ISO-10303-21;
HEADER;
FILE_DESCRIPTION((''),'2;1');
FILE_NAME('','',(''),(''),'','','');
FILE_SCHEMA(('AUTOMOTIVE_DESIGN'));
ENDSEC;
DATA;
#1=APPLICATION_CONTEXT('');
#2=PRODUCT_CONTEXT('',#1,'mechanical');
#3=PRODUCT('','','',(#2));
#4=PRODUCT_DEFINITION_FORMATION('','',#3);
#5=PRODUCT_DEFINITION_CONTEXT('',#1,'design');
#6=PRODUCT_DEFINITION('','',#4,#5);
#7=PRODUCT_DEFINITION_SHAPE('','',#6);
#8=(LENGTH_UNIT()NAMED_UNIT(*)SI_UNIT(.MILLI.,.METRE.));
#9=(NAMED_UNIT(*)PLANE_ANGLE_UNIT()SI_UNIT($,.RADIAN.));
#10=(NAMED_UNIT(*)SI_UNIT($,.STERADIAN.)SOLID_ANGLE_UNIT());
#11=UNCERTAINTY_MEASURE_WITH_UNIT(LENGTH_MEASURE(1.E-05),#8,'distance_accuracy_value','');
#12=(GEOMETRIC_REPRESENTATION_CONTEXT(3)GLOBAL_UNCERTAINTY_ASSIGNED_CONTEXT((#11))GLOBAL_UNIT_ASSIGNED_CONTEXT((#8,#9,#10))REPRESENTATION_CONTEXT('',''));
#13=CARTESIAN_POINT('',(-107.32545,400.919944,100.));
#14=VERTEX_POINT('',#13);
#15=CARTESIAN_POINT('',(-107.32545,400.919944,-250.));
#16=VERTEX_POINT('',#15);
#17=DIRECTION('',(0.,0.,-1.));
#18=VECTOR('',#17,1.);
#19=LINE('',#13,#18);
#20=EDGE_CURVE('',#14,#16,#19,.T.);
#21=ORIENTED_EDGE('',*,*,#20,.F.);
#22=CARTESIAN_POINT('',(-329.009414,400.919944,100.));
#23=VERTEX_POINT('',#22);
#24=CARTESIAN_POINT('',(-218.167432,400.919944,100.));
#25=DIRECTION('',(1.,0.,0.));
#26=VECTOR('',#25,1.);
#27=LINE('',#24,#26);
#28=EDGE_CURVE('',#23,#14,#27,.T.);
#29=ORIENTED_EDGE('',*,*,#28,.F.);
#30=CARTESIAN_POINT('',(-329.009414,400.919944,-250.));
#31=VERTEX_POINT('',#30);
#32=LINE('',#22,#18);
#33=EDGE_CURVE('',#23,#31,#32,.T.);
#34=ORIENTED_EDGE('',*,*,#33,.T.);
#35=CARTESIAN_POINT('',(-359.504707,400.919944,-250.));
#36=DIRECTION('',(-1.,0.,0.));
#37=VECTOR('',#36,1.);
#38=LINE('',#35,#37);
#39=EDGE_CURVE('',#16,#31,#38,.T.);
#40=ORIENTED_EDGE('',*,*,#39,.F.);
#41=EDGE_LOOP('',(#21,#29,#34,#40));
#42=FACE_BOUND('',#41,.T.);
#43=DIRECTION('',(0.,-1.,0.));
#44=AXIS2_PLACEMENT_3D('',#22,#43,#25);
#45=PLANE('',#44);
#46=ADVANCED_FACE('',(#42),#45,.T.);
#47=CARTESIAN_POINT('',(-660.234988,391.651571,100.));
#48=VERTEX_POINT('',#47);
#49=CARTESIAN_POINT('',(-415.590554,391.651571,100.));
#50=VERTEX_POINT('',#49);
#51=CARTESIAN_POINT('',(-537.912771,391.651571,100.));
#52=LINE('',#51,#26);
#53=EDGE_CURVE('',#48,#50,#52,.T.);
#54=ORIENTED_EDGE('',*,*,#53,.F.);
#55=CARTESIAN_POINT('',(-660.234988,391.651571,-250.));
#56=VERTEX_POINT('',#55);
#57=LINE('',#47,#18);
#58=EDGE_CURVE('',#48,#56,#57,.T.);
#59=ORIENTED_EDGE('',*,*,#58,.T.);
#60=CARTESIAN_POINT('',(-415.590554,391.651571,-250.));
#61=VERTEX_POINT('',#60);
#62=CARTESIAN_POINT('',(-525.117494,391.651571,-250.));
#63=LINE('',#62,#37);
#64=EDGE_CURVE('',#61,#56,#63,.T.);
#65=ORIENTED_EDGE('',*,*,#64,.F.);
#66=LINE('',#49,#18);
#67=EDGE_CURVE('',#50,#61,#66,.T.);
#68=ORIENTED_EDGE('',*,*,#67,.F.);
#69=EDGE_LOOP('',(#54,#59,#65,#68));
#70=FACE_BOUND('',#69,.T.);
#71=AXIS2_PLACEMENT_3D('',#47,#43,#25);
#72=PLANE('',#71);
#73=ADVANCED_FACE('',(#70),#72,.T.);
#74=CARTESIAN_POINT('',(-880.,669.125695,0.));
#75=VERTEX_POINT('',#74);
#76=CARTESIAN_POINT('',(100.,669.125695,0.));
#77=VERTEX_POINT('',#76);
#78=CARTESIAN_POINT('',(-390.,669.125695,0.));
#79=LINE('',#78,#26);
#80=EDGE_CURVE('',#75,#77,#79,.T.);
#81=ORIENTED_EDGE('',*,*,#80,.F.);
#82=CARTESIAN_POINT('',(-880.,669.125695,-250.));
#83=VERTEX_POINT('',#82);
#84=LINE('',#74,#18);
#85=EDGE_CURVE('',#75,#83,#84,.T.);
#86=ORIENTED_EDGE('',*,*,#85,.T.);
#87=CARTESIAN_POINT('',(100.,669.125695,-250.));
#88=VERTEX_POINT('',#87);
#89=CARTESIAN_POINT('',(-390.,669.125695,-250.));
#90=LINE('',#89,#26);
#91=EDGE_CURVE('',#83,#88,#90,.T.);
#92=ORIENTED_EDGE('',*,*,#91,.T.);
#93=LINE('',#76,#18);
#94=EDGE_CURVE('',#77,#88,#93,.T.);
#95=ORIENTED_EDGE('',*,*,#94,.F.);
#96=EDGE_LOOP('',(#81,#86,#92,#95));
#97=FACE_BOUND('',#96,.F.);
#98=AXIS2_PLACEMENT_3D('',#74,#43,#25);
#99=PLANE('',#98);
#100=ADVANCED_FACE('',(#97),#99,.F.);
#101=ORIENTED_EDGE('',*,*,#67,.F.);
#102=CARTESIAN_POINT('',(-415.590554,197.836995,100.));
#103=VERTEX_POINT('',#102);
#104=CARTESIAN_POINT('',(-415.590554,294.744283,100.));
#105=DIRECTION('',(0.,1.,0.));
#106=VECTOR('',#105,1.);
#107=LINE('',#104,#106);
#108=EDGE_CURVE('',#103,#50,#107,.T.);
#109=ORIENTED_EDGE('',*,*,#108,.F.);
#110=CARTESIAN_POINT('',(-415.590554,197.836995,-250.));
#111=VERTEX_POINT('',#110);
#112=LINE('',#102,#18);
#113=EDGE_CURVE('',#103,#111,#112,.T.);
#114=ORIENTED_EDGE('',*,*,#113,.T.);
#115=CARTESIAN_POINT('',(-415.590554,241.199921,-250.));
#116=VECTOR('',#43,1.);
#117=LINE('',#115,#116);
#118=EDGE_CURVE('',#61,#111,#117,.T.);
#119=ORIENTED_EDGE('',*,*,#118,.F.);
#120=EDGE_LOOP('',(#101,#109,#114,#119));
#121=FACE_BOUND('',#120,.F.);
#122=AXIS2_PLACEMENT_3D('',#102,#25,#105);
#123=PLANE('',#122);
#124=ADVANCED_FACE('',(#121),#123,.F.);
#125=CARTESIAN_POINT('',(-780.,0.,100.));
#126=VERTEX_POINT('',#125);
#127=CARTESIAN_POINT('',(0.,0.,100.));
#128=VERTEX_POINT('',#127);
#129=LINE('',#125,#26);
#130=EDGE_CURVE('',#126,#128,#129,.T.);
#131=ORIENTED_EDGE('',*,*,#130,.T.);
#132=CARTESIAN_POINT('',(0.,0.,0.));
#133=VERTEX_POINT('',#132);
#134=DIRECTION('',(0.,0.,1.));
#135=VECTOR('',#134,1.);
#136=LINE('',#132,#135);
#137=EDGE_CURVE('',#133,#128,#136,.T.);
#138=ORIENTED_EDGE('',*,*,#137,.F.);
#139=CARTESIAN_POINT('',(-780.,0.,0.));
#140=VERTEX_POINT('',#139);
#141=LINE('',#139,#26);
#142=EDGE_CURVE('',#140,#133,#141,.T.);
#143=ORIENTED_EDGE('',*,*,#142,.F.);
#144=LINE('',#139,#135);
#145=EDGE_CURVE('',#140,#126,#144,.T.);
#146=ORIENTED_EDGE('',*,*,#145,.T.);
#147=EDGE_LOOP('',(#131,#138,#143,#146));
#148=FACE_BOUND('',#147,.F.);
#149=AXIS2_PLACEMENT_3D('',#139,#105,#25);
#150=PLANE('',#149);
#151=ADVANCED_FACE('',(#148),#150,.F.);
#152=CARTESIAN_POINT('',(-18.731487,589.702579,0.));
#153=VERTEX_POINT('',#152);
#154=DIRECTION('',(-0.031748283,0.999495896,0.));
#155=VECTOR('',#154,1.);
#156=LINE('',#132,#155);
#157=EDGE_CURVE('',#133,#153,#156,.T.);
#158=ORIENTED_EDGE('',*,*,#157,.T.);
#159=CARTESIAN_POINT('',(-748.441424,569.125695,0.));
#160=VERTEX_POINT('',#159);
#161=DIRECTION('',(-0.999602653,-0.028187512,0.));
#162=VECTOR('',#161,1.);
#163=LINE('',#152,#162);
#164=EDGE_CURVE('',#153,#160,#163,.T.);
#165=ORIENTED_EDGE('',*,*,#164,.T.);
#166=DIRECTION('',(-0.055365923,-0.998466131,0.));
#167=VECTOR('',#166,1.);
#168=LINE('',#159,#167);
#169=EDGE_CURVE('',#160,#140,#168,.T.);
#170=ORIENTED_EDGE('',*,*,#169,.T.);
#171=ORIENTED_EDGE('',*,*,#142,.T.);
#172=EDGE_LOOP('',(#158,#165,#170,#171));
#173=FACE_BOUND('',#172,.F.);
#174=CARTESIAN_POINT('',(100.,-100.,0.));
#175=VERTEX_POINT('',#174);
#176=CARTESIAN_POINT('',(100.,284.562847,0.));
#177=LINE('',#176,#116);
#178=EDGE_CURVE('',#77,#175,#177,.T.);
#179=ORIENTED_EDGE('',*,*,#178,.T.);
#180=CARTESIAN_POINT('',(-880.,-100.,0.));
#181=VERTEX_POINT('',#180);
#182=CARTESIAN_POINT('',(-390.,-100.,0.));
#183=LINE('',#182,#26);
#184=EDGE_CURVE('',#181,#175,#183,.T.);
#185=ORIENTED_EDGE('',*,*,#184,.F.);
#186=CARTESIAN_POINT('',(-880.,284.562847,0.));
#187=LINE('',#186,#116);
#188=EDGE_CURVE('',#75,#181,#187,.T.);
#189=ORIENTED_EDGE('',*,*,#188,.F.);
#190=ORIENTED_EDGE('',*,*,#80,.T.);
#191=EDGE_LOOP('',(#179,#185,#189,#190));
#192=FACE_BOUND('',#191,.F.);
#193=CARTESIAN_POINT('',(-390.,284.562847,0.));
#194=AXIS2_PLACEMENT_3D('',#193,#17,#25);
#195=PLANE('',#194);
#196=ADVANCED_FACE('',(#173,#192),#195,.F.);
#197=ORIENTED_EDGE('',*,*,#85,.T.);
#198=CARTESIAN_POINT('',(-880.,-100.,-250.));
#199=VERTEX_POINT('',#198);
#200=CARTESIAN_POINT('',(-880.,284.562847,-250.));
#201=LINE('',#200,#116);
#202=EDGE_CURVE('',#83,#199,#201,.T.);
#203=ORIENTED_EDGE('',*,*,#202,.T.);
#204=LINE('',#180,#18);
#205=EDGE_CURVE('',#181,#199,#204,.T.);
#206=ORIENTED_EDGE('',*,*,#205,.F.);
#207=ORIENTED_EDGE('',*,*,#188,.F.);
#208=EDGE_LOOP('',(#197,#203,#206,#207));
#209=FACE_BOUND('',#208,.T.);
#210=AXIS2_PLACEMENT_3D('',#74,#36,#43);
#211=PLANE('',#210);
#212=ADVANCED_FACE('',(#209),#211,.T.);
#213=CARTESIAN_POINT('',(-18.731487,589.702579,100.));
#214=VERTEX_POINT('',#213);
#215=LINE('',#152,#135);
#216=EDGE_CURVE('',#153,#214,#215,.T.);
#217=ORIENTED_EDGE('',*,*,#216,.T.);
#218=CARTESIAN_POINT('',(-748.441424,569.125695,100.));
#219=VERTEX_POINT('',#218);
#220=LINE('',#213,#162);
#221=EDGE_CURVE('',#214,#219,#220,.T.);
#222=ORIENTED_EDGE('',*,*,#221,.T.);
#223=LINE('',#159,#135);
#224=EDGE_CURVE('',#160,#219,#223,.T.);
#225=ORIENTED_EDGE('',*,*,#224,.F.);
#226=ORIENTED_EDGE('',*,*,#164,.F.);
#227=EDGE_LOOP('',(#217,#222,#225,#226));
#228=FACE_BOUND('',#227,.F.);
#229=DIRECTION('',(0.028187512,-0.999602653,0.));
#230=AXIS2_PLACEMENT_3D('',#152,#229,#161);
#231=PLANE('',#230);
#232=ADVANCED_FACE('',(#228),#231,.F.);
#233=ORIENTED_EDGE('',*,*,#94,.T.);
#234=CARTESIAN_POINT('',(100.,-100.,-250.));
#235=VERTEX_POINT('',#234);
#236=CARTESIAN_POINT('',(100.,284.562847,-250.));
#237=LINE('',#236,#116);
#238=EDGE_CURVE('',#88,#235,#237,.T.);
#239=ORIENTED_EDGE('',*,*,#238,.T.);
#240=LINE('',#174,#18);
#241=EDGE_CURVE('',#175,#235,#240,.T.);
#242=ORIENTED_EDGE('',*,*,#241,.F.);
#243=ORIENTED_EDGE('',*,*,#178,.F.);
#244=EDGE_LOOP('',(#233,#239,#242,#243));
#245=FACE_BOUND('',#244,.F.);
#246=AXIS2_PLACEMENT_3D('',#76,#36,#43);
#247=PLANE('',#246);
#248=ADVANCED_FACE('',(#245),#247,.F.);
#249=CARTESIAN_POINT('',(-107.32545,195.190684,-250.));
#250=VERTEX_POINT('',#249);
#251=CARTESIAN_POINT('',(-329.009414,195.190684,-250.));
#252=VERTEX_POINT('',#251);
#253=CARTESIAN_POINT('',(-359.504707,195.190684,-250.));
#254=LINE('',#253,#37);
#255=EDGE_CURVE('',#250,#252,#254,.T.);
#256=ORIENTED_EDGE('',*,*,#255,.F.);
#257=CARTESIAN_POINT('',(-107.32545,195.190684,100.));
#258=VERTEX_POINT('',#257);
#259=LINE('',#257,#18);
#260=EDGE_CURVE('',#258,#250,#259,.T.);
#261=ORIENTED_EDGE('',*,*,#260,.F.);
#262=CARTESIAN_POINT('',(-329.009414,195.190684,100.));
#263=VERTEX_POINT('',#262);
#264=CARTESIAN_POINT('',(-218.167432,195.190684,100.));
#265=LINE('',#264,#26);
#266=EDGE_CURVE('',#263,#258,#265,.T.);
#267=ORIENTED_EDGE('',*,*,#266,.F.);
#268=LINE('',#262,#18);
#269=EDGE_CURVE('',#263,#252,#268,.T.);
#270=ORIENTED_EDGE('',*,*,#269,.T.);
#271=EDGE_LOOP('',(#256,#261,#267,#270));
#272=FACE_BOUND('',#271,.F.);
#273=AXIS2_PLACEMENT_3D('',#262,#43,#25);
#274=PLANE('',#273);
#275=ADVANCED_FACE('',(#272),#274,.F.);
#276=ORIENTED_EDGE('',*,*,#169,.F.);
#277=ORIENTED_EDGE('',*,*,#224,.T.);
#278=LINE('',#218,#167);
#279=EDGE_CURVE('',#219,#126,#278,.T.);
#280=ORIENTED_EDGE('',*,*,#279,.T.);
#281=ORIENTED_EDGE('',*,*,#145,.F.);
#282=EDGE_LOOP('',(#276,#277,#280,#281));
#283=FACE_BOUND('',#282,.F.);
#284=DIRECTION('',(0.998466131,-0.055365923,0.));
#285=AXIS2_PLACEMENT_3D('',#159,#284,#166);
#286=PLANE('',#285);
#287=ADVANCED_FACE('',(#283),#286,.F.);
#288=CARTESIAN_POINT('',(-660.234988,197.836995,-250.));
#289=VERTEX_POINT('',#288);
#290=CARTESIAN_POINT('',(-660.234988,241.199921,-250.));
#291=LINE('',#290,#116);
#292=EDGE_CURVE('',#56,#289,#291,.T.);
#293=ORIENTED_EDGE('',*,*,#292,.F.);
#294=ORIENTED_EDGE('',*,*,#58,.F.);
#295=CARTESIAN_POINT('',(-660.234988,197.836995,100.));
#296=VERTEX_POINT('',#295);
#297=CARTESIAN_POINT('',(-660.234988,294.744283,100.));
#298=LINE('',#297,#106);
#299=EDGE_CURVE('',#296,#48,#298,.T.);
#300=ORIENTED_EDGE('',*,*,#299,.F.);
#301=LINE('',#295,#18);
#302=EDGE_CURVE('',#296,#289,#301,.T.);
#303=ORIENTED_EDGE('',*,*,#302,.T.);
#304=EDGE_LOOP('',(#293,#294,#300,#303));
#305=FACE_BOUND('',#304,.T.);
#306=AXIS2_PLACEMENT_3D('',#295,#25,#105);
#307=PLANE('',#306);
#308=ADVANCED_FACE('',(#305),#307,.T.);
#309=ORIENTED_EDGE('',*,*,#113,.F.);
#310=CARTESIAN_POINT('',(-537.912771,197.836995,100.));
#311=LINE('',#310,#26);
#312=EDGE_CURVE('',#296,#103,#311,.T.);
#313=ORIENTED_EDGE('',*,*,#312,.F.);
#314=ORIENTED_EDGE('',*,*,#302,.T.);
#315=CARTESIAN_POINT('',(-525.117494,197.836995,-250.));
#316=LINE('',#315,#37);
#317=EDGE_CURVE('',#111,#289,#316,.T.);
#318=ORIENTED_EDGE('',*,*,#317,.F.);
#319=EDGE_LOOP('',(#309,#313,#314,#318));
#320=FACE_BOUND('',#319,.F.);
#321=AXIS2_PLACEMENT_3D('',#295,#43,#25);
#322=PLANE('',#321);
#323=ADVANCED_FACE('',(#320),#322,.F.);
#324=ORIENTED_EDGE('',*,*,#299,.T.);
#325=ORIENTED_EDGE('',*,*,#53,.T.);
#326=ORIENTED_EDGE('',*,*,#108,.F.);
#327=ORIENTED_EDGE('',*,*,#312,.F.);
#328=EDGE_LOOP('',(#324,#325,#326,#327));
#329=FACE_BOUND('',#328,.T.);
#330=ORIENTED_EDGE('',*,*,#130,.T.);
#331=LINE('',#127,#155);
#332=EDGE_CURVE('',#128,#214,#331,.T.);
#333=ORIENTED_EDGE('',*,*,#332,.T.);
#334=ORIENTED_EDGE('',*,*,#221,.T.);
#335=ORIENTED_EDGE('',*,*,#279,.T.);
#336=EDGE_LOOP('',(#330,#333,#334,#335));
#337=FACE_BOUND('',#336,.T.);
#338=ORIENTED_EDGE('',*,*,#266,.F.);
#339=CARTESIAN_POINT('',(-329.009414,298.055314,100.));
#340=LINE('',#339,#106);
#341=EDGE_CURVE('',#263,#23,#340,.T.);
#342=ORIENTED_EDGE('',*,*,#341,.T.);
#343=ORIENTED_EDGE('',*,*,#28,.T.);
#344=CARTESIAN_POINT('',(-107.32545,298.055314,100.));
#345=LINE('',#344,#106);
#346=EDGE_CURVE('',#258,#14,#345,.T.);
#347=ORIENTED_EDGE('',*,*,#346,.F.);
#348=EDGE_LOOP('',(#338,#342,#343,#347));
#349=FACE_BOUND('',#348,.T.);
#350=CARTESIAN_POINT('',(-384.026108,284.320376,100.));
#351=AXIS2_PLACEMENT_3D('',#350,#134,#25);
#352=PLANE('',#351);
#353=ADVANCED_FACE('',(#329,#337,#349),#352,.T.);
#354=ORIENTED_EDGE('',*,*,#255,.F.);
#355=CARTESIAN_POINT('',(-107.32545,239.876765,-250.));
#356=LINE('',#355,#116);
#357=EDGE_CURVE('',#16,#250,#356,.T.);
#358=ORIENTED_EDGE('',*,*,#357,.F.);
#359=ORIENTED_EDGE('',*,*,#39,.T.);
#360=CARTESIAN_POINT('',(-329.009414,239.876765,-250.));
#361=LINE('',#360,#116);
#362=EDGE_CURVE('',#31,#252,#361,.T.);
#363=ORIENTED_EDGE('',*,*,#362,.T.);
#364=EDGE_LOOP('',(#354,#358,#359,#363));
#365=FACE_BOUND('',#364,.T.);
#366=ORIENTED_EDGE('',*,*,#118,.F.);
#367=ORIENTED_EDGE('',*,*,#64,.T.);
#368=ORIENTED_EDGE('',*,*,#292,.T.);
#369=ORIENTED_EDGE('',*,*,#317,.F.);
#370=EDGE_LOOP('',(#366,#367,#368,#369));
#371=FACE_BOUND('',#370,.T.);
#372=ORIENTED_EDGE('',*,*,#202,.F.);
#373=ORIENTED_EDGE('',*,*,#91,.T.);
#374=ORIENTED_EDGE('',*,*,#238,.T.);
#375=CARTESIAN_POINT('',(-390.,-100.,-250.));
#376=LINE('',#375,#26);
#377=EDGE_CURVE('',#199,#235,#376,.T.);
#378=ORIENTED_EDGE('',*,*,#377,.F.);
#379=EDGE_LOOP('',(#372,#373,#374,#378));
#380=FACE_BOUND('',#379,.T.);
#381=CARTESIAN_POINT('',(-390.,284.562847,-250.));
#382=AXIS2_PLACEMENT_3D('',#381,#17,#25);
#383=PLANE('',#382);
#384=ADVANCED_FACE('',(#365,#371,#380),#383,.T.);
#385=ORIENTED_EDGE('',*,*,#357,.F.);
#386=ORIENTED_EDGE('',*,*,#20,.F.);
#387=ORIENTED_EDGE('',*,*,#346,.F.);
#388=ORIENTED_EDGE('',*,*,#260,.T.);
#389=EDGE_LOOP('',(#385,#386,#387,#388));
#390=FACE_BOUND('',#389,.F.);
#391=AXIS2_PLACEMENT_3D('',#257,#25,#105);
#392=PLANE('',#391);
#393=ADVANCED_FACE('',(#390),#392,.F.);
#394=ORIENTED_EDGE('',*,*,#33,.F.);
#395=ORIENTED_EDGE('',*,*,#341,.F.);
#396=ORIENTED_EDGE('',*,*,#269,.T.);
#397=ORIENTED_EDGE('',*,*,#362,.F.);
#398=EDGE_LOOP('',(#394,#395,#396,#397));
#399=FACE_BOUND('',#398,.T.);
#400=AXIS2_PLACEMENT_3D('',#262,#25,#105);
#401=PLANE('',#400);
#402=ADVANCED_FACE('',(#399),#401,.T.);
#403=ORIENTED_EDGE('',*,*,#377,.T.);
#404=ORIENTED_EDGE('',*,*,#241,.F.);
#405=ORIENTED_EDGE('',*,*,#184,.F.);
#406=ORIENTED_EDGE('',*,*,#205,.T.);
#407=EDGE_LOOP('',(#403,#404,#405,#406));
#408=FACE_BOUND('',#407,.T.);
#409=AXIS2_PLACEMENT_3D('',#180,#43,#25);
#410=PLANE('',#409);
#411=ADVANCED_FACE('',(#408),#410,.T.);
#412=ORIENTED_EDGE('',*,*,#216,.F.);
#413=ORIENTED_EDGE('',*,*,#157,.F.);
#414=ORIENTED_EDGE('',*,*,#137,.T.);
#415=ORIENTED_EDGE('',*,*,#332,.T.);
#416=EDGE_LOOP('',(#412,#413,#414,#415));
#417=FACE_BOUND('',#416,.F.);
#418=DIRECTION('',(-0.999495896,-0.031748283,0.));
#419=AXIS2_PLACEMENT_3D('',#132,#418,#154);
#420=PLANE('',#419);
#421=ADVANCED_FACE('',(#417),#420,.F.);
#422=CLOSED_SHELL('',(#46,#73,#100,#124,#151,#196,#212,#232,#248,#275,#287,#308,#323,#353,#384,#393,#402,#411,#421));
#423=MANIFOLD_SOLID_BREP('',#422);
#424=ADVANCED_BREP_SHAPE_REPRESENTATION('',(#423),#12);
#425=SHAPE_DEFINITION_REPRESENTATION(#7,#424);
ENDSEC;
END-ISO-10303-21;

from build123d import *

# Parameters (mm, degrees)
F1_DEPTH = 100
F2_W     = 980
F2_H     = 769.125695
F3_DEPTH = 250
F4_W     = 244.644434
F4_H     = 193.814576
F4_W_2   = 221.683964
F4_H_2   = 205.729261
F5_DEPTH = 600


with BuildPart() as f1:
    # F0 (on Top) → F1 (new body)
    with BuildSketch(Plane.XY):
        Polygon((-780, 0), (0, 0), (-18.731487, 589.702579), (-748.441424, 569.125695), align=None)
    extrude(amount=F1_DEPTH)

    # F2 (on face) → F3 (join)
    with BuildSketch(Plane(origin=(0, 0, 0), x_dir=(1, 0, 0), z_dir=(0, 0, -1))):
        with Locations((-390, -284.562847)):
            Rectangle(F2_W, F2_H)
    extrude(amount=F3_DEPTH)

    # F4 (on face) → F5 (cut)
    with BuildSketch(Plane.XY.offset(100)):
        with Locations((-537.912771, 294.744283)):
            Rectangle(F4_W, F4_H)
        with Locations((-218.167432, 298.055314)):
            Rectangle(F4_W_2, F4_H_2)
    extrude(amount=-F5_DEPTH, mode=Mode.SUBTRACT)


solid = f1.part
